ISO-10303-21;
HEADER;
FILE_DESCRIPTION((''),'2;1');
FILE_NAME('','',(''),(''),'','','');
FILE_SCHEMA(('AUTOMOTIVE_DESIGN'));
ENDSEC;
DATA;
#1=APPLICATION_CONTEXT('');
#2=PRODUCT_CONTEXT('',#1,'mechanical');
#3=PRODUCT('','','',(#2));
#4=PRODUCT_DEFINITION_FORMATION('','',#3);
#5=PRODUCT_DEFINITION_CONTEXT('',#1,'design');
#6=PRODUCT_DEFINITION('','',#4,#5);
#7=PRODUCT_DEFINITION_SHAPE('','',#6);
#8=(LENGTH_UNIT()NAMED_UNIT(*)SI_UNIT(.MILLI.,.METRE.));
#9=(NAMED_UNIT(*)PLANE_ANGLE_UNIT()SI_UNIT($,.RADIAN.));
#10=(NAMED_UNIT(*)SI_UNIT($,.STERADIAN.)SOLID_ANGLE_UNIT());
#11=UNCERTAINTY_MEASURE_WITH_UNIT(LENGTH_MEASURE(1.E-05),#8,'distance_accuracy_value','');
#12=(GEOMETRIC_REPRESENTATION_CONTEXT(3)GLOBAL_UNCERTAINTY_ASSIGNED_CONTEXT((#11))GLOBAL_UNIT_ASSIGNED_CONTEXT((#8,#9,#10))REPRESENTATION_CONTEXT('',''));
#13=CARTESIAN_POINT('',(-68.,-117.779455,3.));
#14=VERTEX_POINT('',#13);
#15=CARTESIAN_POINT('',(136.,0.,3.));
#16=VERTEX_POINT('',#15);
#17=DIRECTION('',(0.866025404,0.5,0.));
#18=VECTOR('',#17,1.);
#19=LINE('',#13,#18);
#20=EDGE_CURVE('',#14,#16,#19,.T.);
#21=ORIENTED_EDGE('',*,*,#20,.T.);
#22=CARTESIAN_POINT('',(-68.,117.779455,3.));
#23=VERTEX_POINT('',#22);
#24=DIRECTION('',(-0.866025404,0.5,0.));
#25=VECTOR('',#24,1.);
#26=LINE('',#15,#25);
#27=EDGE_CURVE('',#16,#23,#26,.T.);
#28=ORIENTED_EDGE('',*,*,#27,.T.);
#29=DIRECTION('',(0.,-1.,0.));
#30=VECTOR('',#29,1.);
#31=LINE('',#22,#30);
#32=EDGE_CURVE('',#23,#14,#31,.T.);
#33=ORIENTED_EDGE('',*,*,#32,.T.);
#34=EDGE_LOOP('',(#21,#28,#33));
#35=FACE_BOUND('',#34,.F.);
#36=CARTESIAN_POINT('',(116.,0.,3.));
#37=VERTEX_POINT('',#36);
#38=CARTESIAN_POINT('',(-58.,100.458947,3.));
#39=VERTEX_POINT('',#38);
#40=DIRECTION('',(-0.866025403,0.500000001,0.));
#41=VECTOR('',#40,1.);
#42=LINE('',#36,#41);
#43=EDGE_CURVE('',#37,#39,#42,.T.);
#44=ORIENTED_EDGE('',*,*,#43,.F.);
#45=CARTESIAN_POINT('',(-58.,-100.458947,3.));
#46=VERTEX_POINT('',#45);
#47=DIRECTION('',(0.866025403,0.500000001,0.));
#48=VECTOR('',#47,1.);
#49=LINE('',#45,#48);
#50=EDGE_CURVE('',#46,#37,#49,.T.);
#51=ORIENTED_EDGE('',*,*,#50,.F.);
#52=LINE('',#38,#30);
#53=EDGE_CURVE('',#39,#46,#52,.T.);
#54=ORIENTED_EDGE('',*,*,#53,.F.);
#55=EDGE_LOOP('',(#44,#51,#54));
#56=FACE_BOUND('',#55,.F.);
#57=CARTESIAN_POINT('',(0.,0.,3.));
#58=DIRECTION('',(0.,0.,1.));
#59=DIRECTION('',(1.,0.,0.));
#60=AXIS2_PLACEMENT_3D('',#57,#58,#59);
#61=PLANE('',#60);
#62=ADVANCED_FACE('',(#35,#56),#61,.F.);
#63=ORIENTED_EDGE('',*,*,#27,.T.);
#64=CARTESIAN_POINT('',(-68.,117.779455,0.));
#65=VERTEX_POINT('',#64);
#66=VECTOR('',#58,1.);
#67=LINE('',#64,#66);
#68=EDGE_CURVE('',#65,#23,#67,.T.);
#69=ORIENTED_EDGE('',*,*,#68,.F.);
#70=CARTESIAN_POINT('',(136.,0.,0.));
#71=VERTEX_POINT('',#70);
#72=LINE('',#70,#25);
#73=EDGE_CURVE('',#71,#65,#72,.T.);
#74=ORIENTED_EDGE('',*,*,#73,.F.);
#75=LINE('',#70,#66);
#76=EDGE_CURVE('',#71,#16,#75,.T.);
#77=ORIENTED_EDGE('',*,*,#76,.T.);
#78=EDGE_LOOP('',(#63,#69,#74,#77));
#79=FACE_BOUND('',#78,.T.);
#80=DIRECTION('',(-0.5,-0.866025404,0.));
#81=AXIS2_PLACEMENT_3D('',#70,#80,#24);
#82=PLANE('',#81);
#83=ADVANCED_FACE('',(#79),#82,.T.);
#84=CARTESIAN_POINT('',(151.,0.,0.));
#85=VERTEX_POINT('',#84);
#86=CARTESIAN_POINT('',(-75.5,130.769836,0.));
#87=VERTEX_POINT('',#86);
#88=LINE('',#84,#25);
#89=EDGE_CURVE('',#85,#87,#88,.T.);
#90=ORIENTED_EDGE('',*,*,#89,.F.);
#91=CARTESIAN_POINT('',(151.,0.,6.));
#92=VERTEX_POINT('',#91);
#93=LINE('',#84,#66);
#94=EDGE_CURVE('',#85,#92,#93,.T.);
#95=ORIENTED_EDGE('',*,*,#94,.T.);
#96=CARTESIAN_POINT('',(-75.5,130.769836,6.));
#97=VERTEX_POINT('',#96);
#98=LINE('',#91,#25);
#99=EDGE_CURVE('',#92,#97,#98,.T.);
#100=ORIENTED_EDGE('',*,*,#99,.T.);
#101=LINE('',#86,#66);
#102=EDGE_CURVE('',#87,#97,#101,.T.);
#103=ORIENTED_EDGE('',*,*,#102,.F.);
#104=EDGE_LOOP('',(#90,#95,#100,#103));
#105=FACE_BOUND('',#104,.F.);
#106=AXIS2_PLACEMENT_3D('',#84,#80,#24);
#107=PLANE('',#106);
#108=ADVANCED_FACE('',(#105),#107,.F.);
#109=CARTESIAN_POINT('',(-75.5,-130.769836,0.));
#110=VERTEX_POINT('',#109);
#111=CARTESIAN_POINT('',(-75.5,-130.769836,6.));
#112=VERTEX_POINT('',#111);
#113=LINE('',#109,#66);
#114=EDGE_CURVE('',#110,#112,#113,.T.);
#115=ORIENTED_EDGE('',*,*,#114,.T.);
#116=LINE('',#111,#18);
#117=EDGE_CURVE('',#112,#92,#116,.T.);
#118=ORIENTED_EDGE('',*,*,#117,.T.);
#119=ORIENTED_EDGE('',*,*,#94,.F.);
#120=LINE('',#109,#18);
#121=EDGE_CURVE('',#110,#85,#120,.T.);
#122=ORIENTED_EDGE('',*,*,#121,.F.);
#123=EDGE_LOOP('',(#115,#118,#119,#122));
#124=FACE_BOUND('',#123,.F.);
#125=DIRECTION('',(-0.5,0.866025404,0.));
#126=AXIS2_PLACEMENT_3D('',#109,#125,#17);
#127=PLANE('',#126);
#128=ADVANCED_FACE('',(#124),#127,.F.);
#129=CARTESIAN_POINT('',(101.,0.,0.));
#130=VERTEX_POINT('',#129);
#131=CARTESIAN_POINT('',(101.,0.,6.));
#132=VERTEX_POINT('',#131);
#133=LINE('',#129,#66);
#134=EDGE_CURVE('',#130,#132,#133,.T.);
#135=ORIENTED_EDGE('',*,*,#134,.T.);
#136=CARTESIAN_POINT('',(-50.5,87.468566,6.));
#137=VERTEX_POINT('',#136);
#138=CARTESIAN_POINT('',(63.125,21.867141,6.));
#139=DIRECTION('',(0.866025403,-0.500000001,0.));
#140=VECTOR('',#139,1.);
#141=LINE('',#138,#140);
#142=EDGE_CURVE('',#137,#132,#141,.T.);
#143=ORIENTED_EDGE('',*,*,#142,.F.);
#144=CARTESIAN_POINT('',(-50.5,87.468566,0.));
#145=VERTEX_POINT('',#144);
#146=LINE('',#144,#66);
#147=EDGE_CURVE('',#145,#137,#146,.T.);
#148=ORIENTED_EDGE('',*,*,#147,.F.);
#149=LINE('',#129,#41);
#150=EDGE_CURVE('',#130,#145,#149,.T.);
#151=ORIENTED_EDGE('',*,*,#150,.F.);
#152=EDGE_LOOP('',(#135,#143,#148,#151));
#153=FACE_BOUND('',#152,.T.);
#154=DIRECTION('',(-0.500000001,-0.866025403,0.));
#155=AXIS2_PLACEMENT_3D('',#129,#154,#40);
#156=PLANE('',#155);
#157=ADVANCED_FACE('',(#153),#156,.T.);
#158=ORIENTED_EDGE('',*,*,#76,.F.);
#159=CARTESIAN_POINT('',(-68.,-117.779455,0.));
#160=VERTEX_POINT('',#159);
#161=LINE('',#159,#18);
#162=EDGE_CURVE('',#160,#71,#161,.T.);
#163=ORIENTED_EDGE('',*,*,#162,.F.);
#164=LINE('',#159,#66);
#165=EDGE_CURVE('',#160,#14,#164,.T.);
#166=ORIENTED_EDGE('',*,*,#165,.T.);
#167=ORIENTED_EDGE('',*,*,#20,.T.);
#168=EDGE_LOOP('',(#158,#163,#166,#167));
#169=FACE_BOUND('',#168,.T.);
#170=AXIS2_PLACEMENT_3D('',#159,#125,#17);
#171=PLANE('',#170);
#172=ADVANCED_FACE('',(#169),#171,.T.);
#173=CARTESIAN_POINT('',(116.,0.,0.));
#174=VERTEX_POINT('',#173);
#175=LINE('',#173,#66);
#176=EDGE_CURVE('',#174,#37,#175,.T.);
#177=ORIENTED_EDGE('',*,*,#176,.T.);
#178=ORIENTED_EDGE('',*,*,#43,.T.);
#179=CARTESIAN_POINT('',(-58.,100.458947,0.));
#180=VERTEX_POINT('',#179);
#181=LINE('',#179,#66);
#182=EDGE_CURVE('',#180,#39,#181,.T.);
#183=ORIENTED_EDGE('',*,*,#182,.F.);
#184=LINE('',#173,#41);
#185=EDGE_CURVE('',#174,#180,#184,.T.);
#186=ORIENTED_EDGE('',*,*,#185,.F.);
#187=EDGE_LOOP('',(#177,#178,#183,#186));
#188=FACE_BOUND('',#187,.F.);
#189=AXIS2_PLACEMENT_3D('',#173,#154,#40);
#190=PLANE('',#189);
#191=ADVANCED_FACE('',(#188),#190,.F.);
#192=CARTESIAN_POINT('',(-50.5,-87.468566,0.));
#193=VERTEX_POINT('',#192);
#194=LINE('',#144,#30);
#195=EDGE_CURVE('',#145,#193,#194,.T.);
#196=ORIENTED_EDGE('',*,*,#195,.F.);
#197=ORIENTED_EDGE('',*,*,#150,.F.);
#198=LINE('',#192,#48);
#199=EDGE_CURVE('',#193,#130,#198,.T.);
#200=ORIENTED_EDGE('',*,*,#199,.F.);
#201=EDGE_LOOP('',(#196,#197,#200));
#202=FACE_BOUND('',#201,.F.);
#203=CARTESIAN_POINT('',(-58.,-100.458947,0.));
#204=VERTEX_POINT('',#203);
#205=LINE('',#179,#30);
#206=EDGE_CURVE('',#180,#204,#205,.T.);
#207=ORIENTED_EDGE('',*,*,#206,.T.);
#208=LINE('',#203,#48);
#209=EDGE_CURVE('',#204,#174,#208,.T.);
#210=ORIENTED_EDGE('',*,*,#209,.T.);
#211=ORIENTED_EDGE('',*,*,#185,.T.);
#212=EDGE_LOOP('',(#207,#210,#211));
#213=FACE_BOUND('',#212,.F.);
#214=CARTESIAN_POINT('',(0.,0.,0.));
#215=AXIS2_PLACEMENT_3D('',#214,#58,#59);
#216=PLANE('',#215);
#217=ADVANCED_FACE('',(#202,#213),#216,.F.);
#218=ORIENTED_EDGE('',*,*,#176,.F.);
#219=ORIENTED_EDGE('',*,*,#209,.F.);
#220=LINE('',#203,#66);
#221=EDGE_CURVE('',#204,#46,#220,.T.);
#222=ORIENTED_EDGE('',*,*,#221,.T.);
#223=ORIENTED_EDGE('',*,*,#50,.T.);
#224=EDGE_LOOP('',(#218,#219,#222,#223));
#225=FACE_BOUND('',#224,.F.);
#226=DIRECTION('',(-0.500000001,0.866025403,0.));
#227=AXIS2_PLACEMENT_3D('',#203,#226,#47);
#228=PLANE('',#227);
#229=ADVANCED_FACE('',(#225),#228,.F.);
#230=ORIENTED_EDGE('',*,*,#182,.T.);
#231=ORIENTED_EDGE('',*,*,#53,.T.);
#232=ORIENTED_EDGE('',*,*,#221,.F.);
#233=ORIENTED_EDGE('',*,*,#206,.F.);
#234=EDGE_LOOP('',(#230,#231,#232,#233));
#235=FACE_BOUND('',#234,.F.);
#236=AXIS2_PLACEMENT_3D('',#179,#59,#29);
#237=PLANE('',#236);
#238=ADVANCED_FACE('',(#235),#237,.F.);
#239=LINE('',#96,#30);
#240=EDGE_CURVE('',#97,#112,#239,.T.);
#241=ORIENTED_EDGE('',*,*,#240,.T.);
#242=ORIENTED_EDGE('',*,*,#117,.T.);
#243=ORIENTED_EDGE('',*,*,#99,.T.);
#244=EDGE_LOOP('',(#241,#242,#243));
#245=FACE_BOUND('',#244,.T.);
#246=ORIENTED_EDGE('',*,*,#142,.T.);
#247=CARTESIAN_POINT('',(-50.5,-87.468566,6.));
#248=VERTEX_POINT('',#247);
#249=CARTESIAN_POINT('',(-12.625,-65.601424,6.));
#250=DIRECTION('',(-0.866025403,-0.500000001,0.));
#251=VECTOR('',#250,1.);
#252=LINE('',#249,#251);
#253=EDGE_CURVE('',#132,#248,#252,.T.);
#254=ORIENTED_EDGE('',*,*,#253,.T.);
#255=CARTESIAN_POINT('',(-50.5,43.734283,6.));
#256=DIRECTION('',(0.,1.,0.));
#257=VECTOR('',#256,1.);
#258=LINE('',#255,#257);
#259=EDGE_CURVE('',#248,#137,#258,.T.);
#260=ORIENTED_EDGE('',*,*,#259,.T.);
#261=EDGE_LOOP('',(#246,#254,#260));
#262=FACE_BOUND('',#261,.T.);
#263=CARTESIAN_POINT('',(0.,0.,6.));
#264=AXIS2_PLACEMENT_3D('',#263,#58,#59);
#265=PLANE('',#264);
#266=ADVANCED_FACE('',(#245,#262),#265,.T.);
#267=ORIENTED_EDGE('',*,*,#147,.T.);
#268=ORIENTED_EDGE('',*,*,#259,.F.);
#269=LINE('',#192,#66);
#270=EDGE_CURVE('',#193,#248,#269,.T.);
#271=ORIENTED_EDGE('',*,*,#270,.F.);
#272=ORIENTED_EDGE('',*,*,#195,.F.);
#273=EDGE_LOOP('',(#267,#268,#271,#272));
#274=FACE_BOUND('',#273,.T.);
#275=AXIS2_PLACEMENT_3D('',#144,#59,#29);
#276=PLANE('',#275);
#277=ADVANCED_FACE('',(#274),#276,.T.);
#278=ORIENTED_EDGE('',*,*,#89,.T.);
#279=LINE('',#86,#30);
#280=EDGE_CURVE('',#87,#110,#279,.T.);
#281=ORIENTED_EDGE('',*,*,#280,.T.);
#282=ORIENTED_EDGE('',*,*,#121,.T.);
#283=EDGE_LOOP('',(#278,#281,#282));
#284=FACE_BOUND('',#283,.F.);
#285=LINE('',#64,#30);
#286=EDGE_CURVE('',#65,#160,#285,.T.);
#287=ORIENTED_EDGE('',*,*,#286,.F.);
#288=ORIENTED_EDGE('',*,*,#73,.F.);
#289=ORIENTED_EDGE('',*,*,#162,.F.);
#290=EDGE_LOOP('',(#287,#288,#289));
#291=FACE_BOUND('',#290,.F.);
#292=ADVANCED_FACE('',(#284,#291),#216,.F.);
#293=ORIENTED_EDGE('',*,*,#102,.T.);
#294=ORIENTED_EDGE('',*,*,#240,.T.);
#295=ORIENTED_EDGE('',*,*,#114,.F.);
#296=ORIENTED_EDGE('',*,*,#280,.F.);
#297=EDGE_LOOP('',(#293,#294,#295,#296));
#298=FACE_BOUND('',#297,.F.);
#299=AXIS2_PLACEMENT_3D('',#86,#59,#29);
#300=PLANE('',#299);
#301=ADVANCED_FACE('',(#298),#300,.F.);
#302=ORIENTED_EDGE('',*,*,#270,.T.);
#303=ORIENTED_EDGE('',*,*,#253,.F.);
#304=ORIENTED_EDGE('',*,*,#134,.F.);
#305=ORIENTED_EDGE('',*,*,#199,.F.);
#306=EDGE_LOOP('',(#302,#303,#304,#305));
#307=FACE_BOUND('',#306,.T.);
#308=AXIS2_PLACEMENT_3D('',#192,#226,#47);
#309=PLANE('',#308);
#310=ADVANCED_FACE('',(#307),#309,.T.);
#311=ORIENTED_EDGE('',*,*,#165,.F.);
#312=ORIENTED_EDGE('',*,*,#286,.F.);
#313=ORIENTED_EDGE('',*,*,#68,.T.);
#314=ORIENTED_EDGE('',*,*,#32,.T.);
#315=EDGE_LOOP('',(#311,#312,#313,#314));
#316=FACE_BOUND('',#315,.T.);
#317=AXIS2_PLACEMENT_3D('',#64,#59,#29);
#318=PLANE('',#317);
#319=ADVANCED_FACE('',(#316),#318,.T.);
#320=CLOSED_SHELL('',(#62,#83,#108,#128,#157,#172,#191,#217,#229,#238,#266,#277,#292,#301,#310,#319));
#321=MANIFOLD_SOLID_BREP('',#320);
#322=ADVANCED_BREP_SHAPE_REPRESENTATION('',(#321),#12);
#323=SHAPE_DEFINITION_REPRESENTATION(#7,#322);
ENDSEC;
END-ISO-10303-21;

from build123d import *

# Parameters (mm, degrees)
PRISM003_DEPTH = 15
PRISM001_DEPTH = 3
PRISM_DEPTH    = 3
PRISM002_DEPTH = 6


with BuildPart() as prism003:
    # Prism003 → Prism003 (new body)
    with BuildSketch(Plane.XY):
        Polygon((101, 0), (-50.5, 87.468566), (-50.5, -87.468566), align=None)
    extrude(amount=PRISM003_DEPTH)


with BuildPart() as prism001:
    # Prism001 → Prism001 (new body)
    with BuildSketch(Plane.XY):
        Polygon((116, 0), (-58, 100.458947), (-58, -100.458947), align=None)
    extrude(amount=PRISM001_DEPTH)


with BuildPart() as cut:
    # Prism → Prism (new body)
    with BuildSketch(Plane.XY):
        Polygon((136, 0), (-68, 117.779455), (-68, -117.779455), align=None)
    extrude(amount=PRISM_DEPTH)

    # Cut: cut Prism001
    add(prism001.part, mode=Mode.SUBTRACT)


with BuildPart() as cut002:
    # Prism002 → Prism002 (new body)
    with BuildSketch(Plane.XY):
        Polygon((151, 0), (-75.5, 130.769836), (-75.5, -130.769836), align=None)
    extrude(amount=PRISM002_DEPTH)

    # Cut001: cut Cut
    add(cut.part, mode=Mode.SUBTRACT)

    # Cut002: cut Prism003
    add(prism003.part, mode=Mode.SUBTRACT)


solid = cut002.part
